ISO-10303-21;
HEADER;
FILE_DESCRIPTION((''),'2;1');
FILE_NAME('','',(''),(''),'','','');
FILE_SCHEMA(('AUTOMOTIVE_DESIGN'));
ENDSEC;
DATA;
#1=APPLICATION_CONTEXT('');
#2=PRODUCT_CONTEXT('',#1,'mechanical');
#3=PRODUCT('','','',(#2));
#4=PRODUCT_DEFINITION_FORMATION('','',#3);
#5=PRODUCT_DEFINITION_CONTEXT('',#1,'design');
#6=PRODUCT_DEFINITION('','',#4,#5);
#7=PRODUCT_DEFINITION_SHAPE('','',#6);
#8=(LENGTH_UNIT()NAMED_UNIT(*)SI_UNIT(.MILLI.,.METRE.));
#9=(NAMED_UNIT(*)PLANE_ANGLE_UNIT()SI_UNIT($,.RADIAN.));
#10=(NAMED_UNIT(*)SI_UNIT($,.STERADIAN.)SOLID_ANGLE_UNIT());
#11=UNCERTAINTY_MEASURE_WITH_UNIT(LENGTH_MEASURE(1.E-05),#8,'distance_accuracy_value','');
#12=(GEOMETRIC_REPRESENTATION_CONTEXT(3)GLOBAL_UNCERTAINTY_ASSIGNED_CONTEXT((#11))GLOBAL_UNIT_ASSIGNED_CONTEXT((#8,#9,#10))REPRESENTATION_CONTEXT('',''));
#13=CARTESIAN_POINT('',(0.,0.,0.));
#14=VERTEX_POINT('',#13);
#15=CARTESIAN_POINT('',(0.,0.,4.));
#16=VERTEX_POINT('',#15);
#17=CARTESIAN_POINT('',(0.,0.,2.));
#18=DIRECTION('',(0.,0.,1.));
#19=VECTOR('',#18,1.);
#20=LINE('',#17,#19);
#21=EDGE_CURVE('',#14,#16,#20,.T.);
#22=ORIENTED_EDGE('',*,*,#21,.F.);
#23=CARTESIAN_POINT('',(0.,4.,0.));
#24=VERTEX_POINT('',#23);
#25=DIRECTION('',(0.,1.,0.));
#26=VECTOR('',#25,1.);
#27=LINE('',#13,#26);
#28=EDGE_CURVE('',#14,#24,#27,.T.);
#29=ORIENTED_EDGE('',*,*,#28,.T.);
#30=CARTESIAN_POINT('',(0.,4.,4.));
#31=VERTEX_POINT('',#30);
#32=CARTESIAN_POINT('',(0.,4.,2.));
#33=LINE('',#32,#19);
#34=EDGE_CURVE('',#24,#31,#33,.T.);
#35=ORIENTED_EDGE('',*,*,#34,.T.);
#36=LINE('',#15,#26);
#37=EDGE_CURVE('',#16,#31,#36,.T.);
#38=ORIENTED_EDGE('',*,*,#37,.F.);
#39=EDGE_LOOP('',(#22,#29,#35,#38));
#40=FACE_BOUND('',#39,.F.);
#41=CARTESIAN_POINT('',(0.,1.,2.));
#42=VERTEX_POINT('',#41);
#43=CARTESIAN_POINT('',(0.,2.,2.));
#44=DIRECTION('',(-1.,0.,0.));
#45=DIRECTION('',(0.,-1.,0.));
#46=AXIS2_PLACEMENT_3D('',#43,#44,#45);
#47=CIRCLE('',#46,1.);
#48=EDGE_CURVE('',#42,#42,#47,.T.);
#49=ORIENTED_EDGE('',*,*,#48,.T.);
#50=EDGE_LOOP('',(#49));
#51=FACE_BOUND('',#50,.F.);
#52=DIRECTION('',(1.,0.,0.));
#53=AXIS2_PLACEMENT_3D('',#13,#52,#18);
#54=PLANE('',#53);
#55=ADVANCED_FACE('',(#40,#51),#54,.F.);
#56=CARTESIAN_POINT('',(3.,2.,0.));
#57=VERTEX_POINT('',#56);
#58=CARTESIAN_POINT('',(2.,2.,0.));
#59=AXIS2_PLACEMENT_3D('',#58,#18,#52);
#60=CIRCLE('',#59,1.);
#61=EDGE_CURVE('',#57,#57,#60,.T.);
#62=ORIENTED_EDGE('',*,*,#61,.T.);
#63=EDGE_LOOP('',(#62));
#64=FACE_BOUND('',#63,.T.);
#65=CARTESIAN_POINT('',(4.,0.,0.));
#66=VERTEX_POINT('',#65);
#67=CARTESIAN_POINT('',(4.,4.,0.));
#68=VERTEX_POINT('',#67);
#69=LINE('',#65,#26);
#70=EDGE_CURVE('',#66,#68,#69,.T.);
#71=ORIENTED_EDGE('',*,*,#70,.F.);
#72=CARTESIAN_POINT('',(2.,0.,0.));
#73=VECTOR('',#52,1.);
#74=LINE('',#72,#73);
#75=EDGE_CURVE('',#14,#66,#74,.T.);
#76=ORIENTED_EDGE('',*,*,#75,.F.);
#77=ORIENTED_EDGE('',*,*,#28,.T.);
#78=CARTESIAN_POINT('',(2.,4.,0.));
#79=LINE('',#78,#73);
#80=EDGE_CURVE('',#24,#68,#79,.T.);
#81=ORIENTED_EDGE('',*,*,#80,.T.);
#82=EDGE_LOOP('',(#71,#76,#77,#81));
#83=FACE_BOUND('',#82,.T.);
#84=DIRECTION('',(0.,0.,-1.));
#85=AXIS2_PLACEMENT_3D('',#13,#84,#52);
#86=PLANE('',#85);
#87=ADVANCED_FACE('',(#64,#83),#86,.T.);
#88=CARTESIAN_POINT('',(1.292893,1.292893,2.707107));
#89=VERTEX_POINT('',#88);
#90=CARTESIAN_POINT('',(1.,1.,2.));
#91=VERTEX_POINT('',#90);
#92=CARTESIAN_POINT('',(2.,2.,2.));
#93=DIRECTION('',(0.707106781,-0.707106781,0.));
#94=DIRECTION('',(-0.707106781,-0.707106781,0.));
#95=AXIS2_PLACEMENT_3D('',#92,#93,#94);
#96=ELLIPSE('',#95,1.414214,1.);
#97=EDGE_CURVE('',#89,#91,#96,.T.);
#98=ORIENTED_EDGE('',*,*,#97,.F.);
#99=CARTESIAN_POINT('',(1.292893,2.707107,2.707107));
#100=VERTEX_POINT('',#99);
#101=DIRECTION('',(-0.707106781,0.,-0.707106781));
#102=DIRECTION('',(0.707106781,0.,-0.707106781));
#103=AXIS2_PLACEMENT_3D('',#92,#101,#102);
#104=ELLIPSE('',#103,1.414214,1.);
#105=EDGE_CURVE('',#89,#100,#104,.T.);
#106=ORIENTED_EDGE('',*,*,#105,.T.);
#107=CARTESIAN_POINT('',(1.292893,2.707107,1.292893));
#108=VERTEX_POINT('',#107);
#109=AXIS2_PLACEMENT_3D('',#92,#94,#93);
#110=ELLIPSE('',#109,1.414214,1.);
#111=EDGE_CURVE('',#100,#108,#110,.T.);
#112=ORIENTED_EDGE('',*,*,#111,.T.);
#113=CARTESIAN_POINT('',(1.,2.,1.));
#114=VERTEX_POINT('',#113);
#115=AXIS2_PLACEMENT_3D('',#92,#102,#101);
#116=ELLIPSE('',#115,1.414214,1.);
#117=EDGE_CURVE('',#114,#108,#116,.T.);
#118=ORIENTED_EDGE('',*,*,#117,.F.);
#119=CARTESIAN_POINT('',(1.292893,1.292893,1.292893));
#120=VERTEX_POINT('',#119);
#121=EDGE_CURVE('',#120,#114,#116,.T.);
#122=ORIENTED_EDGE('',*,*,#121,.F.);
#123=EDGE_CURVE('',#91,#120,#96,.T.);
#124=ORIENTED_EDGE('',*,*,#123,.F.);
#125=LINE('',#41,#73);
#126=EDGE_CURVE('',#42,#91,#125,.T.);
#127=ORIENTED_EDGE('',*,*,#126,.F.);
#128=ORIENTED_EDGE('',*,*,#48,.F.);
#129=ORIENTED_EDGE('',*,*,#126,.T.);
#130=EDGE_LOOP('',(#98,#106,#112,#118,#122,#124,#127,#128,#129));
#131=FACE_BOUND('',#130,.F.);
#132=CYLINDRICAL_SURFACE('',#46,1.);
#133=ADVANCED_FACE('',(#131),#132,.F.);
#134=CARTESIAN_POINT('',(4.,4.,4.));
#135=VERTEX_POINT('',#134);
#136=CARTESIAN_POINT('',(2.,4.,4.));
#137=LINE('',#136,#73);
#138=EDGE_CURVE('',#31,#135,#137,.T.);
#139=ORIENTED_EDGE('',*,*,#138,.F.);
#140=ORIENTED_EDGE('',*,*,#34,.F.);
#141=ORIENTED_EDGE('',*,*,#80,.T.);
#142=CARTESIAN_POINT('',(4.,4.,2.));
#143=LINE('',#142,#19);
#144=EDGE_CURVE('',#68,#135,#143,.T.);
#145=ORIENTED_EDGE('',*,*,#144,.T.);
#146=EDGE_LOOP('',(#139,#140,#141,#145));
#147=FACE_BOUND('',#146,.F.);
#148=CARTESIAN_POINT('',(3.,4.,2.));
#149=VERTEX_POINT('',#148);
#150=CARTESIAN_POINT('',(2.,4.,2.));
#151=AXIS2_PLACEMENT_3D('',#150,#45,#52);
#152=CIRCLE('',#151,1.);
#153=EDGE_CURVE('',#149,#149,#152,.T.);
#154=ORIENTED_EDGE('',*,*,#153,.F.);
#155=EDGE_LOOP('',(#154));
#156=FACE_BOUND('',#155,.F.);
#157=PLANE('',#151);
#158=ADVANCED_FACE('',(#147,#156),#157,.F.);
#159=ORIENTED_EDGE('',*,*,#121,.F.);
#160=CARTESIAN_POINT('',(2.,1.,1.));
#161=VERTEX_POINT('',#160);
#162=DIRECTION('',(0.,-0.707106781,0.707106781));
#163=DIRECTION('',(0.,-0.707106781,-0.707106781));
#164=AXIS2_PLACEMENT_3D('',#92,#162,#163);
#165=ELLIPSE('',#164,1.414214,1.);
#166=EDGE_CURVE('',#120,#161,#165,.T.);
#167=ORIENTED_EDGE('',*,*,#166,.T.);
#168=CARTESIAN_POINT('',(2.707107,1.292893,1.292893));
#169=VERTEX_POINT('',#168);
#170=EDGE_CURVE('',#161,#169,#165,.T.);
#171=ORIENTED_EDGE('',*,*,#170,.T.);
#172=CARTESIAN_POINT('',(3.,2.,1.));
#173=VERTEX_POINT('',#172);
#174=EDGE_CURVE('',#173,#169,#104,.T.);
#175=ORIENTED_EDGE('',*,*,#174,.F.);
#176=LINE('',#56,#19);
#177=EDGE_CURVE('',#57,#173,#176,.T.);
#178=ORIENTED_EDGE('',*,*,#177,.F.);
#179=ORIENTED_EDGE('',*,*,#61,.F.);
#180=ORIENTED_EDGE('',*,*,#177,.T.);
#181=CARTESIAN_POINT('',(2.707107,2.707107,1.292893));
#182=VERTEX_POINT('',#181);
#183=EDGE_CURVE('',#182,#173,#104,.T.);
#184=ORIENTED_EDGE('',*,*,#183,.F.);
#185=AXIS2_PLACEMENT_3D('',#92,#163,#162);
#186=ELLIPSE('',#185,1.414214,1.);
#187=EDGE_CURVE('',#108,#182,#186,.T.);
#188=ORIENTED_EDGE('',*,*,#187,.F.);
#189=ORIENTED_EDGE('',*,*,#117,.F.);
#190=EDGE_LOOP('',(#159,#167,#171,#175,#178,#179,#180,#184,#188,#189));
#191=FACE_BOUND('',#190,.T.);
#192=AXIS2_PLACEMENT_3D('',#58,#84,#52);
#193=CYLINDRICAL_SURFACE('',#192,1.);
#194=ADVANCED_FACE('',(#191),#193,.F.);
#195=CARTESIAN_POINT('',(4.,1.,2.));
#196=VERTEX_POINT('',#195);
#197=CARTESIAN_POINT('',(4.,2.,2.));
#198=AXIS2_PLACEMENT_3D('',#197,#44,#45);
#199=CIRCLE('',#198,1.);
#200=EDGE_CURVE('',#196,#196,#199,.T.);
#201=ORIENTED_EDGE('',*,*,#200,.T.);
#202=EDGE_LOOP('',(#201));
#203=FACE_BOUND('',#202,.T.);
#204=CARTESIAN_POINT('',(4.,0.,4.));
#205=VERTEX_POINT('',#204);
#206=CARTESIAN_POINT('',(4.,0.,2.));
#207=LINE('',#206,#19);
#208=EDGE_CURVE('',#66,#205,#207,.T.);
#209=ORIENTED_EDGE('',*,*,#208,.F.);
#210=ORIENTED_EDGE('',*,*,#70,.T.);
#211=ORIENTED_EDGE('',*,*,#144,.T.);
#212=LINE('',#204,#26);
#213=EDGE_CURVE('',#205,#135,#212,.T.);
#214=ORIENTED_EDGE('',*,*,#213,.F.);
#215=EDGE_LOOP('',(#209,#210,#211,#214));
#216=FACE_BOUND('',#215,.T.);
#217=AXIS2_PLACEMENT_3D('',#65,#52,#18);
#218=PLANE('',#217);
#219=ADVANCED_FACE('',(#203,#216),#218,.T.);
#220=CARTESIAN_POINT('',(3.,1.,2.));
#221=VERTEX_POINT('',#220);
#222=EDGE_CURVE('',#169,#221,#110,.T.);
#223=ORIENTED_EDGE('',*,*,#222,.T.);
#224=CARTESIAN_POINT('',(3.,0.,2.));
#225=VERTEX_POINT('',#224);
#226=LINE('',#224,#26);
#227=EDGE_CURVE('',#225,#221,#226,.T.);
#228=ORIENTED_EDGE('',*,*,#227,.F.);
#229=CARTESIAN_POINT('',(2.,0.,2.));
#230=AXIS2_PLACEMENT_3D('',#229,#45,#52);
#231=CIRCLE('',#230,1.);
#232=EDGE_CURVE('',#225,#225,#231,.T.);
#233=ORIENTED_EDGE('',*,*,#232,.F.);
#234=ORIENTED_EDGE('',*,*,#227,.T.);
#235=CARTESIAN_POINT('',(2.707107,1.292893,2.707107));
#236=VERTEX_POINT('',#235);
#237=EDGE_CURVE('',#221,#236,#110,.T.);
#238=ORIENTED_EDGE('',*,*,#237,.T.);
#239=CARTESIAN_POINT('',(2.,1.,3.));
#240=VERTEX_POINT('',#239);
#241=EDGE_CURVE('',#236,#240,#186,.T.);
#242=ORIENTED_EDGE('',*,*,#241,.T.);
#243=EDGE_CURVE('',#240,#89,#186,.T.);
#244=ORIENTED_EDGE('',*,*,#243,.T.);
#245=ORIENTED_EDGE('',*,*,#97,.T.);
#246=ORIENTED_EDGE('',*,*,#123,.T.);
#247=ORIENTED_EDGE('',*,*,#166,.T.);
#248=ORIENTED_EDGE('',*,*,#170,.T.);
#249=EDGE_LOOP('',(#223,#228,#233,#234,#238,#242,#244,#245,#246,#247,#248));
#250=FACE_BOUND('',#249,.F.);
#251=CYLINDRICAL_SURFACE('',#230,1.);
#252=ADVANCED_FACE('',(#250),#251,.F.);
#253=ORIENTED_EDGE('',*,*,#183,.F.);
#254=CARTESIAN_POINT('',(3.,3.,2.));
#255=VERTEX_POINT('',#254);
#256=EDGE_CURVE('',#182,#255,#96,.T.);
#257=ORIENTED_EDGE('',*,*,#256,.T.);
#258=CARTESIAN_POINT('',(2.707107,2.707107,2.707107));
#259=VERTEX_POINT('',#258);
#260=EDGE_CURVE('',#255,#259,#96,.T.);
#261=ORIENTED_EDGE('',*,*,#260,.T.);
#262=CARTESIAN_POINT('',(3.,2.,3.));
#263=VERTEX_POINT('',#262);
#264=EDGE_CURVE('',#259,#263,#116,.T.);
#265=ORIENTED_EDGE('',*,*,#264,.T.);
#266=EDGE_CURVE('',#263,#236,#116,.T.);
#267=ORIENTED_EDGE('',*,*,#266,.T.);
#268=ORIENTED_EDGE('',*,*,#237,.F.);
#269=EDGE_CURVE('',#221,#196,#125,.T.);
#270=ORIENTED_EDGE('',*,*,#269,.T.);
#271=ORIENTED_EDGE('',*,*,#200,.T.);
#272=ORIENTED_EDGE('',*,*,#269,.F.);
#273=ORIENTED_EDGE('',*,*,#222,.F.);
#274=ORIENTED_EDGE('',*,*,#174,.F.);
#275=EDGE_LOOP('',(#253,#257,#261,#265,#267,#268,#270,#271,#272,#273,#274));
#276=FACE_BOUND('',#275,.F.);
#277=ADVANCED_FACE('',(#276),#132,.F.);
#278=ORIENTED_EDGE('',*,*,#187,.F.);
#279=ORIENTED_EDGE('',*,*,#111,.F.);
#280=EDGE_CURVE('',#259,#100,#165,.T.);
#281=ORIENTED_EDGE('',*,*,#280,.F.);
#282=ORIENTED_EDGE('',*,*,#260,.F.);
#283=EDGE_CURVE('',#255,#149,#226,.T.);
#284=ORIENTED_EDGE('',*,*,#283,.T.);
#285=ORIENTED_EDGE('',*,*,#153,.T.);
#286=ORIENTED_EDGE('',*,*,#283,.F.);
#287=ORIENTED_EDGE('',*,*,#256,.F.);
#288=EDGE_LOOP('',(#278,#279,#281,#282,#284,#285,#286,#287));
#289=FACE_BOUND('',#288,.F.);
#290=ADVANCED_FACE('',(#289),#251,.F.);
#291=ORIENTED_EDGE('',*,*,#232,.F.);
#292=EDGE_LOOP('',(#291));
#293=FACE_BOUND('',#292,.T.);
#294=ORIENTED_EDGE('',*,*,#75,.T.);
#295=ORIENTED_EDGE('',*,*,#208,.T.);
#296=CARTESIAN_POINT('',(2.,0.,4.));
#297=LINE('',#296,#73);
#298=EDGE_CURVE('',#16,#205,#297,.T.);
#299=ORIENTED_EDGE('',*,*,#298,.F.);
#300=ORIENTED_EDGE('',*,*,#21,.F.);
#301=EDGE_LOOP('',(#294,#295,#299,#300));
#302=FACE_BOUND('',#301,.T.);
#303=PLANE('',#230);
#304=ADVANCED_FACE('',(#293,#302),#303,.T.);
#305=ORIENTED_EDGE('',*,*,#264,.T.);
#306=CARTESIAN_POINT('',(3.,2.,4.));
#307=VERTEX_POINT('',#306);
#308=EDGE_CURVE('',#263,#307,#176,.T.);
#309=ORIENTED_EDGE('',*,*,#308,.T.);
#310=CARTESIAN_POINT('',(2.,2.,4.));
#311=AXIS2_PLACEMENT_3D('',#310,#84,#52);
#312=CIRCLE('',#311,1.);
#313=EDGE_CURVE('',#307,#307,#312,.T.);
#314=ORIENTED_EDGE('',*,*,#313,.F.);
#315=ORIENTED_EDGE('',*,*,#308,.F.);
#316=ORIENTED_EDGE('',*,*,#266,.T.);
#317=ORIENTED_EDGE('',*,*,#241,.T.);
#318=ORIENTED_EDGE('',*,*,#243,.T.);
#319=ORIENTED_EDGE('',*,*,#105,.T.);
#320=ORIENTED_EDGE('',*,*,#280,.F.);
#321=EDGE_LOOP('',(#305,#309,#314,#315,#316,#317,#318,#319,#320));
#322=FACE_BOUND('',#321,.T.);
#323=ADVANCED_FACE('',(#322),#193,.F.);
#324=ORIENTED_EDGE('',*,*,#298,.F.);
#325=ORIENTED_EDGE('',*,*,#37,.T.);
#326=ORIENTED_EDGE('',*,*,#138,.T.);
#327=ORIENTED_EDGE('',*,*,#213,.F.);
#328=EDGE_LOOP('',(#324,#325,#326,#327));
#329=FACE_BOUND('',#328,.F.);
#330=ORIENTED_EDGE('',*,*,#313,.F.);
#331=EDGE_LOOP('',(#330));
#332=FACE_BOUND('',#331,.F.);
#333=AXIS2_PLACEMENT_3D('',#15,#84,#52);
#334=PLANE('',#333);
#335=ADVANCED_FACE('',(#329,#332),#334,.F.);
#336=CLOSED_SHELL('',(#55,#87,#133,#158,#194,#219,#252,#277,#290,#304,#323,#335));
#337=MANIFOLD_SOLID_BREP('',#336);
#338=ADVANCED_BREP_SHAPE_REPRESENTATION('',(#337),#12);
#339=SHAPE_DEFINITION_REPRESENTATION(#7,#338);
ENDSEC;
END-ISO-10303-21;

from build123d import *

# Parameters (mm, degrees)
F0_W     = 4
F0_H     = 4
F1_DEPTH = 4
F2_R     = 1
F3_DEPTH = 25
F4_R     = 1
F5_DEPTH = 25
F6_R     = 1
F7_DEPTH = 25


with BuildPart() as f1:
    # F0 (on Front) → F1 (new body)
    with BuildSketch(Plane.XZ):
        with Locations((2, 2)):
            Rectangle(F0_W, F0_H)
    extrude(amount=-F1_DEPTH)

    # F2 (on face) → F3 (cut)
    with BuildSketch(Plane.XZ):
        with Locations((2, 2)):
            Circle(F2_R)
    extrude(amount=-F3_DEPTH, mode=Mode.SUBTRACT)

    # F4 (on Top) → F5 (cut)
    with BuildSketch(Plane.XY):
        with Locations((2, 2)):
            Circle(F4_R)
    extrude(amount=F5_DEPTH, mode=Mode.SUBTRACT)

    # F6 (on face) → F7 (cut)
    with BuildSketch(Plane(origin=(0, 0, 0), x_dir=(0, -1, 0), z_dir=(-1, 0, 0))):
        with Locations((-2, 2)):
            Circle(F6_R)
    extrude(amount=-F7_DEPTH, mode=Mode.SUBTRACT)


solid = f1.part
